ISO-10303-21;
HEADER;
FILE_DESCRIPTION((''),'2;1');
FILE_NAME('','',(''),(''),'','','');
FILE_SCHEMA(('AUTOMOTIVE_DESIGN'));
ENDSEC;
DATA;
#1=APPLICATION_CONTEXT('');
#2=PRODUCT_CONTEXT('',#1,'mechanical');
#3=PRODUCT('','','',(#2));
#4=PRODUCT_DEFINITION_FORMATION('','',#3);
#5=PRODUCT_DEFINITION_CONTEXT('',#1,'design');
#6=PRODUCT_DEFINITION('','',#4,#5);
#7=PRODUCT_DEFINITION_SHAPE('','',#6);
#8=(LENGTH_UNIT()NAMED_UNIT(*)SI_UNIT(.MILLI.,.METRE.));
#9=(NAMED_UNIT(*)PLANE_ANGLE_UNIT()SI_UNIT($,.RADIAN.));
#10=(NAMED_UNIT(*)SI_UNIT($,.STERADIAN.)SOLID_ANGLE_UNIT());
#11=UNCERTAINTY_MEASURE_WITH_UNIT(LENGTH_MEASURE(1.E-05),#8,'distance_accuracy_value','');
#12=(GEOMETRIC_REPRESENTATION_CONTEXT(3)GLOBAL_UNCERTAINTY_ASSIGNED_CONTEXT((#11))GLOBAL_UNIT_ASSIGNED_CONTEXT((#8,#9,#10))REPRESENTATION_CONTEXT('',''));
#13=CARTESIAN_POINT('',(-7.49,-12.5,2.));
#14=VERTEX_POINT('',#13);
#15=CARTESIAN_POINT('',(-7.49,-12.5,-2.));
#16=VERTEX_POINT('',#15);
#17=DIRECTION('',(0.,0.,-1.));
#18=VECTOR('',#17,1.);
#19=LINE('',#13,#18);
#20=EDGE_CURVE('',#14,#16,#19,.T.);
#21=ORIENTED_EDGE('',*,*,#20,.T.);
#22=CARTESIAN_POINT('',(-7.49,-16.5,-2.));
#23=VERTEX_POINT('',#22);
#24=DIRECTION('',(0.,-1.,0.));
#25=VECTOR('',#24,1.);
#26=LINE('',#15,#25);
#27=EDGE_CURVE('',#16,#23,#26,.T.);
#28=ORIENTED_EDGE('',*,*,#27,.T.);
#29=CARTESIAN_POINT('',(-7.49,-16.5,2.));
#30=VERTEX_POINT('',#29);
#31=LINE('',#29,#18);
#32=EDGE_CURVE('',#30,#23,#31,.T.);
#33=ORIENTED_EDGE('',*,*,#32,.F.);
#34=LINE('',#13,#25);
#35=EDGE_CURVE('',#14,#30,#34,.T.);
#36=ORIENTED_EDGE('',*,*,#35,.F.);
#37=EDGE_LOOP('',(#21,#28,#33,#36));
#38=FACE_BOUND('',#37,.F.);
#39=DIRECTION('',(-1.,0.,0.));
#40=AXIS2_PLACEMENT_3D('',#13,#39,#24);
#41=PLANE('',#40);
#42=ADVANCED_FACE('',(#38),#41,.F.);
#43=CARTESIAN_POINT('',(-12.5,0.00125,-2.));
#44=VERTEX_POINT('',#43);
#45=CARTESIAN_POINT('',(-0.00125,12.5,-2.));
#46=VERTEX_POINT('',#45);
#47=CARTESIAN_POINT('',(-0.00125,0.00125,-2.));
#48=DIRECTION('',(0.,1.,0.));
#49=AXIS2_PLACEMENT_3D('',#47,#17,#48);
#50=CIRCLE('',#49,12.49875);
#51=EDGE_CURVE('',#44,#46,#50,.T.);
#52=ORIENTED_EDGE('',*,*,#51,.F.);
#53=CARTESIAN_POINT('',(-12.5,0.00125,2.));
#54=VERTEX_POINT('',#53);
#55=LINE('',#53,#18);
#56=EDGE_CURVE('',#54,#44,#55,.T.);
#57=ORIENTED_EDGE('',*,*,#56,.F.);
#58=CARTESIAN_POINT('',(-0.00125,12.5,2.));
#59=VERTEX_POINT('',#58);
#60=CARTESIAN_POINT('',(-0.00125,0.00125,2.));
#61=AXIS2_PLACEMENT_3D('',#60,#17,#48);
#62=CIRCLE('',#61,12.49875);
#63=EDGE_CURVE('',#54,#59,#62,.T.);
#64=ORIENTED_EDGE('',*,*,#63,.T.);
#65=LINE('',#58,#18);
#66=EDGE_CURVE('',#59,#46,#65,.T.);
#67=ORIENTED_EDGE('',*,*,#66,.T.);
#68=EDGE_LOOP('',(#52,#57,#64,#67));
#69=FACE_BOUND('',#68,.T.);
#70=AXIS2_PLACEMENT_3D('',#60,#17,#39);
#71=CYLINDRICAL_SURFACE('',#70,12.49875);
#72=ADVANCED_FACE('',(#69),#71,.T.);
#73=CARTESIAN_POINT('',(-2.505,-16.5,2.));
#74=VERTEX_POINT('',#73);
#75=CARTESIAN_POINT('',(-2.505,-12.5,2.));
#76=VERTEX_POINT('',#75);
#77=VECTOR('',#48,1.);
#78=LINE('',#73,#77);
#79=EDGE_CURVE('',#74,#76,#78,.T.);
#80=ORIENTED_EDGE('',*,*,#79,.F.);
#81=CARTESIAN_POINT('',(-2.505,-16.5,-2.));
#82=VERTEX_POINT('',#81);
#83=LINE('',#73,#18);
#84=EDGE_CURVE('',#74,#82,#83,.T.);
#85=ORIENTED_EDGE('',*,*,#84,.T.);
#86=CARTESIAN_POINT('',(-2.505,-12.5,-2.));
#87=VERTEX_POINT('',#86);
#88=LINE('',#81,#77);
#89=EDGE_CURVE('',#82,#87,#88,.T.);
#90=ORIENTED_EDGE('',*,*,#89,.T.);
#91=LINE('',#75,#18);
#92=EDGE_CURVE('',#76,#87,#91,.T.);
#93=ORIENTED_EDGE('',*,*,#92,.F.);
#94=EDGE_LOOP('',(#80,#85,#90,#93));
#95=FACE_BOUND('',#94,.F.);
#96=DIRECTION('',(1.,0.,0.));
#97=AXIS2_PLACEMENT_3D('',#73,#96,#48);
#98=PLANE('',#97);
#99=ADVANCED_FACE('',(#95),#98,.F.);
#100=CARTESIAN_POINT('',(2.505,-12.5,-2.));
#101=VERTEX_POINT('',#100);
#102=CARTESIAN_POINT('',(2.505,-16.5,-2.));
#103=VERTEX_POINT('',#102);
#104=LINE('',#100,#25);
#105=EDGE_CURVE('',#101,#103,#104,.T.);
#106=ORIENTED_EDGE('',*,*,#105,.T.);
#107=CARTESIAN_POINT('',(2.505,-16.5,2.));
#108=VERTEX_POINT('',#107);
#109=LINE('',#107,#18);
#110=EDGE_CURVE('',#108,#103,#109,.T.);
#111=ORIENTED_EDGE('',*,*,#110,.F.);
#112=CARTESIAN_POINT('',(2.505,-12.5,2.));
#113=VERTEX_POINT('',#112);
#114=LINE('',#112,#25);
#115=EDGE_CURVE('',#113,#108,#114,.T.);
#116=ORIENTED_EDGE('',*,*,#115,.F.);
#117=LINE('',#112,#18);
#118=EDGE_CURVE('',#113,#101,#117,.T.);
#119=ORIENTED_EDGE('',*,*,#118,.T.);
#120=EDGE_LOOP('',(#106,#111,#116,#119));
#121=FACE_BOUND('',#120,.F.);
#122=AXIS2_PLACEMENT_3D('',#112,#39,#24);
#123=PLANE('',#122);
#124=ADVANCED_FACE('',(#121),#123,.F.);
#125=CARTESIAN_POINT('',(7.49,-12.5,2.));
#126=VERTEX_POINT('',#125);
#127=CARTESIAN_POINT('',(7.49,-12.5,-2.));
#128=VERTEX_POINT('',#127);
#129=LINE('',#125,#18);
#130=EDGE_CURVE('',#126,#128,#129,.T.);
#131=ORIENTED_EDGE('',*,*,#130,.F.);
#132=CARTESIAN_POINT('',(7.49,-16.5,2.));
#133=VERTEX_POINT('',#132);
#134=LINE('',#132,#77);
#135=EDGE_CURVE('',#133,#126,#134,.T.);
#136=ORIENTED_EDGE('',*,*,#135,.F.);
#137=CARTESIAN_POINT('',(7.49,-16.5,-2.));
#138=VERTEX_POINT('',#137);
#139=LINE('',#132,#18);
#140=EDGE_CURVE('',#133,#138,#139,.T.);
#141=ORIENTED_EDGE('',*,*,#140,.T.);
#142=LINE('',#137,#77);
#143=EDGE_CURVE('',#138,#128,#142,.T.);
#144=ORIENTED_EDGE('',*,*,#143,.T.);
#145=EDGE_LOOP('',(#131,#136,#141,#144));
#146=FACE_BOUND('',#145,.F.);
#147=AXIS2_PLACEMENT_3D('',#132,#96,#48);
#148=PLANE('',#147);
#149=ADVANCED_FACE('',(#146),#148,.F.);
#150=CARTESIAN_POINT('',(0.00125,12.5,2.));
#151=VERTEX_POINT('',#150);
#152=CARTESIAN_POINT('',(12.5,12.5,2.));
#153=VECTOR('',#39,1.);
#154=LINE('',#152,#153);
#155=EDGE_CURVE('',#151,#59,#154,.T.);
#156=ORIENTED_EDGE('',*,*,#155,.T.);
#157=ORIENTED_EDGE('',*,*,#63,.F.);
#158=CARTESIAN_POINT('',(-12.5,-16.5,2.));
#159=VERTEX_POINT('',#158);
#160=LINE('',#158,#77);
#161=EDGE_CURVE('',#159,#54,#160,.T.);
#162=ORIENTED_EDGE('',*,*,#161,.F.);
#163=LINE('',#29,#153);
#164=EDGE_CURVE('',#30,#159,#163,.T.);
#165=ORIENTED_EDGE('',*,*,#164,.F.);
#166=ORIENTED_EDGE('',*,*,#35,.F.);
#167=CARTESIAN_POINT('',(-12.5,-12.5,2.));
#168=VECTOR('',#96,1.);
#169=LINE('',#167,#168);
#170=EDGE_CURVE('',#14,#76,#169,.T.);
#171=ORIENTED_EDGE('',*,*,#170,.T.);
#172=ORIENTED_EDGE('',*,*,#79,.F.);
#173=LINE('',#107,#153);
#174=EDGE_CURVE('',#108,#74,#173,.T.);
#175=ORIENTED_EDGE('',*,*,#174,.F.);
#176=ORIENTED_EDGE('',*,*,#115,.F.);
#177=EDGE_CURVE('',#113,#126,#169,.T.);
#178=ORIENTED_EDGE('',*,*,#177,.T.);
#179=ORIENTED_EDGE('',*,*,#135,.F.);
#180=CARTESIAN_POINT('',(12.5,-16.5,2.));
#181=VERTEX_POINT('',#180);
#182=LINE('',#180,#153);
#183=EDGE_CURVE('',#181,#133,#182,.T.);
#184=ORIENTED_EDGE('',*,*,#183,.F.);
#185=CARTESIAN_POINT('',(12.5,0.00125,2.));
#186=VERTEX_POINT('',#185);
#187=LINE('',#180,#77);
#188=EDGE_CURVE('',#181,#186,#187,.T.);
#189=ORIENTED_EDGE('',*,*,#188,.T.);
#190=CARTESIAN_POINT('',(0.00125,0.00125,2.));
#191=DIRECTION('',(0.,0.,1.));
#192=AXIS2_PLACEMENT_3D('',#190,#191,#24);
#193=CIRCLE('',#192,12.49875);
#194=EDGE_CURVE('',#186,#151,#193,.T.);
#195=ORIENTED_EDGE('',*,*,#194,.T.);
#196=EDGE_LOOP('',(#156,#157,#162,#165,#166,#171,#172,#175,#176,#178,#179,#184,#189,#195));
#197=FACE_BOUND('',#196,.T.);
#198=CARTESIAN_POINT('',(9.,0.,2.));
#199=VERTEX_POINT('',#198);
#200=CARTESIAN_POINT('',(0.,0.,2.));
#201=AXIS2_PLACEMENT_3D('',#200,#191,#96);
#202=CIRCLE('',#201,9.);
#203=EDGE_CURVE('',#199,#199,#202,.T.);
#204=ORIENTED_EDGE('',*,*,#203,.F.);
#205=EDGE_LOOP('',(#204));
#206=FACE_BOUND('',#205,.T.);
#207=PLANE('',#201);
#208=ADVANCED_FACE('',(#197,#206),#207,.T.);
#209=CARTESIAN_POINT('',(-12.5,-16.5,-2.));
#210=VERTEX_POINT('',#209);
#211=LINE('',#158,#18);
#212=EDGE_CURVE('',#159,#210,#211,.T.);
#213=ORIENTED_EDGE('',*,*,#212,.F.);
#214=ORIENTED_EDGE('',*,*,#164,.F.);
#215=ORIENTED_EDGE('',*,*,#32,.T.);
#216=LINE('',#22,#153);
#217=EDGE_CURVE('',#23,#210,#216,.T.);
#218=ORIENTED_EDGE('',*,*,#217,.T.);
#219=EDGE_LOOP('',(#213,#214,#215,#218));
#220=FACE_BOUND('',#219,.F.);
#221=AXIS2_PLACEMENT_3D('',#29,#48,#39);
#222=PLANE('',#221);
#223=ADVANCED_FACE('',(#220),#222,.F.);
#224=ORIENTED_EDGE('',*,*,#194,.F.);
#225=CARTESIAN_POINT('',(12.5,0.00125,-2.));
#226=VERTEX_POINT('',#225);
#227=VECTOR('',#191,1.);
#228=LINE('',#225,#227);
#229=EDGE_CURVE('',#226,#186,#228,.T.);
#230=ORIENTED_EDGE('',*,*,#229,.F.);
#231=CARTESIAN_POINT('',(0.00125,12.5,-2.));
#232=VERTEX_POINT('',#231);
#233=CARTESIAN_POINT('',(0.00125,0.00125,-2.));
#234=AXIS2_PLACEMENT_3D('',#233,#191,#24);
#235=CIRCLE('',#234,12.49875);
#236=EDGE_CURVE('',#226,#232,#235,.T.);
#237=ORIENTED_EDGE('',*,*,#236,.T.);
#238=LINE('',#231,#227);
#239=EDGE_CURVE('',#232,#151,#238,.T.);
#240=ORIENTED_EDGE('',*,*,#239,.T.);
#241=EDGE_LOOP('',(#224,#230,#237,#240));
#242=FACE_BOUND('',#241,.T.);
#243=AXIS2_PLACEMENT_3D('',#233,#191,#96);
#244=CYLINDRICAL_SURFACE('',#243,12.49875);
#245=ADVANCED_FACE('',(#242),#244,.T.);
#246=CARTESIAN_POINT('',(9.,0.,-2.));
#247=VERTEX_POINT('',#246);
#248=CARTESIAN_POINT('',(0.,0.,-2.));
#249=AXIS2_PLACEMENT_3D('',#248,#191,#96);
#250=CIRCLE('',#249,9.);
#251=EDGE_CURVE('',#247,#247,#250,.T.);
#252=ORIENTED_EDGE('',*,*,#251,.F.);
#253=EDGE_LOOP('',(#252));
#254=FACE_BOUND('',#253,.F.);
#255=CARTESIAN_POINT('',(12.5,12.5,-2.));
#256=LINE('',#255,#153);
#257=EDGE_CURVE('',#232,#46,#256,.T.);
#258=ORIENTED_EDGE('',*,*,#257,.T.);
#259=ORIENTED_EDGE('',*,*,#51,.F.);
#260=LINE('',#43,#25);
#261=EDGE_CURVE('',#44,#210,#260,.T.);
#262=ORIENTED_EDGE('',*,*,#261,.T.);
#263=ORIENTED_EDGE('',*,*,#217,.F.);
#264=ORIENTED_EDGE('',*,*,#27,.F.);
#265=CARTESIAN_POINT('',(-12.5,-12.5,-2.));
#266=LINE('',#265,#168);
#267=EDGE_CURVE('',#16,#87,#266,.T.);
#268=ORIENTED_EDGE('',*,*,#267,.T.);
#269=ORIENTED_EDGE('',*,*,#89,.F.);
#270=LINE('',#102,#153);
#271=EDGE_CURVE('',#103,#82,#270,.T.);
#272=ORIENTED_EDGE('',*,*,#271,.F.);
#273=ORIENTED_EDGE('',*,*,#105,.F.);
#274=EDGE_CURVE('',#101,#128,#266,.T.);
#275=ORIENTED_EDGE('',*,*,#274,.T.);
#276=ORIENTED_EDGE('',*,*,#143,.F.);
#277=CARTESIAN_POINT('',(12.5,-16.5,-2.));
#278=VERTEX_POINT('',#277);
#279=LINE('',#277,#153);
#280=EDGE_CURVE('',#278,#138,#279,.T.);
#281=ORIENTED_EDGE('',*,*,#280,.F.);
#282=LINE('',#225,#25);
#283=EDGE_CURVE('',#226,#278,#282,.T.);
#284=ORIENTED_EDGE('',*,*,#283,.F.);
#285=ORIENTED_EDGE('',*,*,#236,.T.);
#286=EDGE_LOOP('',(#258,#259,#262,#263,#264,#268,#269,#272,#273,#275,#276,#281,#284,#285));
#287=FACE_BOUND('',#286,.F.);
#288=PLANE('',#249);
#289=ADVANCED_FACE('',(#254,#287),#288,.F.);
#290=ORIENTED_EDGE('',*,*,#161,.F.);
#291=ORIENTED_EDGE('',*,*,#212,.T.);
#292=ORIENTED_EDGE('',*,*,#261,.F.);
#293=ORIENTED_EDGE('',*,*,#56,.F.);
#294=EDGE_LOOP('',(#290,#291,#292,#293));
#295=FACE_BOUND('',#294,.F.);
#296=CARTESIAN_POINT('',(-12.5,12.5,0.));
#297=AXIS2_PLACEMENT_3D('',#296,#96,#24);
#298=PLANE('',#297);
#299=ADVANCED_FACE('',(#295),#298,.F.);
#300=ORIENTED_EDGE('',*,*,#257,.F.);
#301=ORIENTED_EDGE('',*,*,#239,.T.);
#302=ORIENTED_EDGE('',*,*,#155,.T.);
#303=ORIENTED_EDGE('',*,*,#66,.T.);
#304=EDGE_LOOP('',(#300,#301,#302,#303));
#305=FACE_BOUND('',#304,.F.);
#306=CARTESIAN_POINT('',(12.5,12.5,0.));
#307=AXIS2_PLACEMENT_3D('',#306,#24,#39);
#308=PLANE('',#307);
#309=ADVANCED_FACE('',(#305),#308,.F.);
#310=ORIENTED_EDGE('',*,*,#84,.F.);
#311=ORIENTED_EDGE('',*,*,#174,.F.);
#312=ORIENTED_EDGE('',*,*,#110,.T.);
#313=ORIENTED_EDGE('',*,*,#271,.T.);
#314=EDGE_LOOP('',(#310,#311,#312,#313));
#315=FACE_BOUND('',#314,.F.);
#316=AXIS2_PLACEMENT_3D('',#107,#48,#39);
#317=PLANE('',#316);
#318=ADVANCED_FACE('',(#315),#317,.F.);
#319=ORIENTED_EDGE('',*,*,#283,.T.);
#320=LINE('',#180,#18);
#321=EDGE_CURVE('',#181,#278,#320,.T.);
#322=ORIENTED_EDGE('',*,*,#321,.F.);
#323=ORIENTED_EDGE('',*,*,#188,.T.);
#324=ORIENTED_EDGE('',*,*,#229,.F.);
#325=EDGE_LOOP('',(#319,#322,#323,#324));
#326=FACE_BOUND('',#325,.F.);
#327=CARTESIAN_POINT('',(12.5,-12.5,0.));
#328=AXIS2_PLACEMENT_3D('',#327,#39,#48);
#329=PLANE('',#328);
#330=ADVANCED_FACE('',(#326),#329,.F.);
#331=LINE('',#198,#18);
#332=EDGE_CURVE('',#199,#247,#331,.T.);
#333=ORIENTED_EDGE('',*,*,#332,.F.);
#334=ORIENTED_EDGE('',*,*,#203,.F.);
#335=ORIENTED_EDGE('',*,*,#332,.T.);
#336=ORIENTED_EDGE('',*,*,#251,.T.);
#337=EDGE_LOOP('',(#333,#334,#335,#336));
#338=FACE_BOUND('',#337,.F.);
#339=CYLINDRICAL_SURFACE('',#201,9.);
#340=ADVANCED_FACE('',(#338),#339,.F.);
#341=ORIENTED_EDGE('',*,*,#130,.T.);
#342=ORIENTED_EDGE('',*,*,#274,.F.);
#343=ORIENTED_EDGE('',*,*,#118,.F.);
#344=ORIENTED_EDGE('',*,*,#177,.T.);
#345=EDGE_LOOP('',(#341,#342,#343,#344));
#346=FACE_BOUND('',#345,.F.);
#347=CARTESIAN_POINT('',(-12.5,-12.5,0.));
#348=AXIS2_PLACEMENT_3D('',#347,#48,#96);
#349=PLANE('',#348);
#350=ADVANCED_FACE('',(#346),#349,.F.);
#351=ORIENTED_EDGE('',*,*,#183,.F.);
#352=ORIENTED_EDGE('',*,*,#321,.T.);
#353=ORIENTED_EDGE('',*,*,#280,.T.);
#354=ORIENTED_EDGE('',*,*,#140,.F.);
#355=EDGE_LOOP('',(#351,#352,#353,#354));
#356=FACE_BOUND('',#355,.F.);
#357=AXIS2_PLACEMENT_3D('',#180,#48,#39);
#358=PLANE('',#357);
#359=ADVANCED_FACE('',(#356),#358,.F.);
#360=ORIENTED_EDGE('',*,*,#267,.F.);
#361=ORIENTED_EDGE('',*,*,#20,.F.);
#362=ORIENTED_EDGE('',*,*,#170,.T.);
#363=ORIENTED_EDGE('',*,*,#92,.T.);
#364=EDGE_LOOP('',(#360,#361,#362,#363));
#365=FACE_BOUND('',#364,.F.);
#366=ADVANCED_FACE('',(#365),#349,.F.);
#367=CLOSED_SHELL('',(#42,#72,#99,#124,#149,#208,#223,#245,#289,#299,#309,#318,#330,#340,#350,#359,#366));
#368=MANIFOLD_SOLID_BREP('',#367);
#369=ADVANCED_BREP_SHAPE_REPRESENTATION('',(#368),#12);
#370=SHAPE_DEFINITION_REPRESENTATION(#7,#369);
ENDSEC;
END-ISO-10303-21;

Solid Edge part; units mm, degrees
sketch "Sketch1" plane through (0, 0, 0) normal (0, 0, 1) x (1, 0, 0)
  line L0 (-12.5, -12.5) -> (12.5, -12.5)
  line L1 (12.5, -12.5) -> (12.5, 12.5)
  line L2 (12.5, 12.5) -> (-12.5, 12.5)
  line L3 (-12.5, 12.5) -> (-12.5, -12.5)
  dimension "D1" = 25
  dimension "D2" = 25
extrude "Protrusion1" add sketch "Sketch1" along normal mid plane 4
fillet "Verrundung_1" radius 12.5 2 edges at (12.5, 12.5, 0) (-12.5, 12.5, 0)
sketch "Sketch2" plane through (0, 0, 2) normal (0, 0, 1) x (1, 0, 0)
  circle A0 centre (0, 0) radius 9
  dimension "D1" = 18
extrude "Extrusionsausschnitt_1" cut sketch "Sketch2" against normal blind 16
sketch "Sketch3" plane through (0, 0, 2) normal (0, 0, 1) x (1, 0, 0)
  line L0 (-2.505, -12.5) -> (2.505, -12.5)
  line L1 (2.505, -12.5) -> (2.505, -16.5)
  line L2 (2.505, -16.5) -> (-2.505, -16.5)
  line L3 (-2.505, -16.5) -> (-2.505, -12.5)
  line L4 (7.49, -12.5) -> (12.5, -12.5)
  line L5 (12.5, -12.5) -> (12.5, -16.5)
  line L6 (12.5, -16.5) -> (7.49, -16.5)
  line L7 (7.49, -16.5) -> (7.49, -12.5)
  line L8 (-12.5, -12.5) -> (-7.49, -12.5)
  line L9 (-7.49, -12.5) -> (-7.49, -16.5)
  line L10 (-7.49, -16.5) -> (-12.5, -16.5)
  line L11 (-12.5, -16.5) -> (-12.5, -12.5)
  dimension "D1" = 4
  dimension "D2" = 4
  dimension "D3" = 4
  dimension "D4" = 5.01
  dimension "D5" = 5.01
  dimension "D6" = 5.01
extrude "Extrusionsausprägung_2" add sketch "Sketch3" against normal blind 4
properties material "Holz, Kiefer"
